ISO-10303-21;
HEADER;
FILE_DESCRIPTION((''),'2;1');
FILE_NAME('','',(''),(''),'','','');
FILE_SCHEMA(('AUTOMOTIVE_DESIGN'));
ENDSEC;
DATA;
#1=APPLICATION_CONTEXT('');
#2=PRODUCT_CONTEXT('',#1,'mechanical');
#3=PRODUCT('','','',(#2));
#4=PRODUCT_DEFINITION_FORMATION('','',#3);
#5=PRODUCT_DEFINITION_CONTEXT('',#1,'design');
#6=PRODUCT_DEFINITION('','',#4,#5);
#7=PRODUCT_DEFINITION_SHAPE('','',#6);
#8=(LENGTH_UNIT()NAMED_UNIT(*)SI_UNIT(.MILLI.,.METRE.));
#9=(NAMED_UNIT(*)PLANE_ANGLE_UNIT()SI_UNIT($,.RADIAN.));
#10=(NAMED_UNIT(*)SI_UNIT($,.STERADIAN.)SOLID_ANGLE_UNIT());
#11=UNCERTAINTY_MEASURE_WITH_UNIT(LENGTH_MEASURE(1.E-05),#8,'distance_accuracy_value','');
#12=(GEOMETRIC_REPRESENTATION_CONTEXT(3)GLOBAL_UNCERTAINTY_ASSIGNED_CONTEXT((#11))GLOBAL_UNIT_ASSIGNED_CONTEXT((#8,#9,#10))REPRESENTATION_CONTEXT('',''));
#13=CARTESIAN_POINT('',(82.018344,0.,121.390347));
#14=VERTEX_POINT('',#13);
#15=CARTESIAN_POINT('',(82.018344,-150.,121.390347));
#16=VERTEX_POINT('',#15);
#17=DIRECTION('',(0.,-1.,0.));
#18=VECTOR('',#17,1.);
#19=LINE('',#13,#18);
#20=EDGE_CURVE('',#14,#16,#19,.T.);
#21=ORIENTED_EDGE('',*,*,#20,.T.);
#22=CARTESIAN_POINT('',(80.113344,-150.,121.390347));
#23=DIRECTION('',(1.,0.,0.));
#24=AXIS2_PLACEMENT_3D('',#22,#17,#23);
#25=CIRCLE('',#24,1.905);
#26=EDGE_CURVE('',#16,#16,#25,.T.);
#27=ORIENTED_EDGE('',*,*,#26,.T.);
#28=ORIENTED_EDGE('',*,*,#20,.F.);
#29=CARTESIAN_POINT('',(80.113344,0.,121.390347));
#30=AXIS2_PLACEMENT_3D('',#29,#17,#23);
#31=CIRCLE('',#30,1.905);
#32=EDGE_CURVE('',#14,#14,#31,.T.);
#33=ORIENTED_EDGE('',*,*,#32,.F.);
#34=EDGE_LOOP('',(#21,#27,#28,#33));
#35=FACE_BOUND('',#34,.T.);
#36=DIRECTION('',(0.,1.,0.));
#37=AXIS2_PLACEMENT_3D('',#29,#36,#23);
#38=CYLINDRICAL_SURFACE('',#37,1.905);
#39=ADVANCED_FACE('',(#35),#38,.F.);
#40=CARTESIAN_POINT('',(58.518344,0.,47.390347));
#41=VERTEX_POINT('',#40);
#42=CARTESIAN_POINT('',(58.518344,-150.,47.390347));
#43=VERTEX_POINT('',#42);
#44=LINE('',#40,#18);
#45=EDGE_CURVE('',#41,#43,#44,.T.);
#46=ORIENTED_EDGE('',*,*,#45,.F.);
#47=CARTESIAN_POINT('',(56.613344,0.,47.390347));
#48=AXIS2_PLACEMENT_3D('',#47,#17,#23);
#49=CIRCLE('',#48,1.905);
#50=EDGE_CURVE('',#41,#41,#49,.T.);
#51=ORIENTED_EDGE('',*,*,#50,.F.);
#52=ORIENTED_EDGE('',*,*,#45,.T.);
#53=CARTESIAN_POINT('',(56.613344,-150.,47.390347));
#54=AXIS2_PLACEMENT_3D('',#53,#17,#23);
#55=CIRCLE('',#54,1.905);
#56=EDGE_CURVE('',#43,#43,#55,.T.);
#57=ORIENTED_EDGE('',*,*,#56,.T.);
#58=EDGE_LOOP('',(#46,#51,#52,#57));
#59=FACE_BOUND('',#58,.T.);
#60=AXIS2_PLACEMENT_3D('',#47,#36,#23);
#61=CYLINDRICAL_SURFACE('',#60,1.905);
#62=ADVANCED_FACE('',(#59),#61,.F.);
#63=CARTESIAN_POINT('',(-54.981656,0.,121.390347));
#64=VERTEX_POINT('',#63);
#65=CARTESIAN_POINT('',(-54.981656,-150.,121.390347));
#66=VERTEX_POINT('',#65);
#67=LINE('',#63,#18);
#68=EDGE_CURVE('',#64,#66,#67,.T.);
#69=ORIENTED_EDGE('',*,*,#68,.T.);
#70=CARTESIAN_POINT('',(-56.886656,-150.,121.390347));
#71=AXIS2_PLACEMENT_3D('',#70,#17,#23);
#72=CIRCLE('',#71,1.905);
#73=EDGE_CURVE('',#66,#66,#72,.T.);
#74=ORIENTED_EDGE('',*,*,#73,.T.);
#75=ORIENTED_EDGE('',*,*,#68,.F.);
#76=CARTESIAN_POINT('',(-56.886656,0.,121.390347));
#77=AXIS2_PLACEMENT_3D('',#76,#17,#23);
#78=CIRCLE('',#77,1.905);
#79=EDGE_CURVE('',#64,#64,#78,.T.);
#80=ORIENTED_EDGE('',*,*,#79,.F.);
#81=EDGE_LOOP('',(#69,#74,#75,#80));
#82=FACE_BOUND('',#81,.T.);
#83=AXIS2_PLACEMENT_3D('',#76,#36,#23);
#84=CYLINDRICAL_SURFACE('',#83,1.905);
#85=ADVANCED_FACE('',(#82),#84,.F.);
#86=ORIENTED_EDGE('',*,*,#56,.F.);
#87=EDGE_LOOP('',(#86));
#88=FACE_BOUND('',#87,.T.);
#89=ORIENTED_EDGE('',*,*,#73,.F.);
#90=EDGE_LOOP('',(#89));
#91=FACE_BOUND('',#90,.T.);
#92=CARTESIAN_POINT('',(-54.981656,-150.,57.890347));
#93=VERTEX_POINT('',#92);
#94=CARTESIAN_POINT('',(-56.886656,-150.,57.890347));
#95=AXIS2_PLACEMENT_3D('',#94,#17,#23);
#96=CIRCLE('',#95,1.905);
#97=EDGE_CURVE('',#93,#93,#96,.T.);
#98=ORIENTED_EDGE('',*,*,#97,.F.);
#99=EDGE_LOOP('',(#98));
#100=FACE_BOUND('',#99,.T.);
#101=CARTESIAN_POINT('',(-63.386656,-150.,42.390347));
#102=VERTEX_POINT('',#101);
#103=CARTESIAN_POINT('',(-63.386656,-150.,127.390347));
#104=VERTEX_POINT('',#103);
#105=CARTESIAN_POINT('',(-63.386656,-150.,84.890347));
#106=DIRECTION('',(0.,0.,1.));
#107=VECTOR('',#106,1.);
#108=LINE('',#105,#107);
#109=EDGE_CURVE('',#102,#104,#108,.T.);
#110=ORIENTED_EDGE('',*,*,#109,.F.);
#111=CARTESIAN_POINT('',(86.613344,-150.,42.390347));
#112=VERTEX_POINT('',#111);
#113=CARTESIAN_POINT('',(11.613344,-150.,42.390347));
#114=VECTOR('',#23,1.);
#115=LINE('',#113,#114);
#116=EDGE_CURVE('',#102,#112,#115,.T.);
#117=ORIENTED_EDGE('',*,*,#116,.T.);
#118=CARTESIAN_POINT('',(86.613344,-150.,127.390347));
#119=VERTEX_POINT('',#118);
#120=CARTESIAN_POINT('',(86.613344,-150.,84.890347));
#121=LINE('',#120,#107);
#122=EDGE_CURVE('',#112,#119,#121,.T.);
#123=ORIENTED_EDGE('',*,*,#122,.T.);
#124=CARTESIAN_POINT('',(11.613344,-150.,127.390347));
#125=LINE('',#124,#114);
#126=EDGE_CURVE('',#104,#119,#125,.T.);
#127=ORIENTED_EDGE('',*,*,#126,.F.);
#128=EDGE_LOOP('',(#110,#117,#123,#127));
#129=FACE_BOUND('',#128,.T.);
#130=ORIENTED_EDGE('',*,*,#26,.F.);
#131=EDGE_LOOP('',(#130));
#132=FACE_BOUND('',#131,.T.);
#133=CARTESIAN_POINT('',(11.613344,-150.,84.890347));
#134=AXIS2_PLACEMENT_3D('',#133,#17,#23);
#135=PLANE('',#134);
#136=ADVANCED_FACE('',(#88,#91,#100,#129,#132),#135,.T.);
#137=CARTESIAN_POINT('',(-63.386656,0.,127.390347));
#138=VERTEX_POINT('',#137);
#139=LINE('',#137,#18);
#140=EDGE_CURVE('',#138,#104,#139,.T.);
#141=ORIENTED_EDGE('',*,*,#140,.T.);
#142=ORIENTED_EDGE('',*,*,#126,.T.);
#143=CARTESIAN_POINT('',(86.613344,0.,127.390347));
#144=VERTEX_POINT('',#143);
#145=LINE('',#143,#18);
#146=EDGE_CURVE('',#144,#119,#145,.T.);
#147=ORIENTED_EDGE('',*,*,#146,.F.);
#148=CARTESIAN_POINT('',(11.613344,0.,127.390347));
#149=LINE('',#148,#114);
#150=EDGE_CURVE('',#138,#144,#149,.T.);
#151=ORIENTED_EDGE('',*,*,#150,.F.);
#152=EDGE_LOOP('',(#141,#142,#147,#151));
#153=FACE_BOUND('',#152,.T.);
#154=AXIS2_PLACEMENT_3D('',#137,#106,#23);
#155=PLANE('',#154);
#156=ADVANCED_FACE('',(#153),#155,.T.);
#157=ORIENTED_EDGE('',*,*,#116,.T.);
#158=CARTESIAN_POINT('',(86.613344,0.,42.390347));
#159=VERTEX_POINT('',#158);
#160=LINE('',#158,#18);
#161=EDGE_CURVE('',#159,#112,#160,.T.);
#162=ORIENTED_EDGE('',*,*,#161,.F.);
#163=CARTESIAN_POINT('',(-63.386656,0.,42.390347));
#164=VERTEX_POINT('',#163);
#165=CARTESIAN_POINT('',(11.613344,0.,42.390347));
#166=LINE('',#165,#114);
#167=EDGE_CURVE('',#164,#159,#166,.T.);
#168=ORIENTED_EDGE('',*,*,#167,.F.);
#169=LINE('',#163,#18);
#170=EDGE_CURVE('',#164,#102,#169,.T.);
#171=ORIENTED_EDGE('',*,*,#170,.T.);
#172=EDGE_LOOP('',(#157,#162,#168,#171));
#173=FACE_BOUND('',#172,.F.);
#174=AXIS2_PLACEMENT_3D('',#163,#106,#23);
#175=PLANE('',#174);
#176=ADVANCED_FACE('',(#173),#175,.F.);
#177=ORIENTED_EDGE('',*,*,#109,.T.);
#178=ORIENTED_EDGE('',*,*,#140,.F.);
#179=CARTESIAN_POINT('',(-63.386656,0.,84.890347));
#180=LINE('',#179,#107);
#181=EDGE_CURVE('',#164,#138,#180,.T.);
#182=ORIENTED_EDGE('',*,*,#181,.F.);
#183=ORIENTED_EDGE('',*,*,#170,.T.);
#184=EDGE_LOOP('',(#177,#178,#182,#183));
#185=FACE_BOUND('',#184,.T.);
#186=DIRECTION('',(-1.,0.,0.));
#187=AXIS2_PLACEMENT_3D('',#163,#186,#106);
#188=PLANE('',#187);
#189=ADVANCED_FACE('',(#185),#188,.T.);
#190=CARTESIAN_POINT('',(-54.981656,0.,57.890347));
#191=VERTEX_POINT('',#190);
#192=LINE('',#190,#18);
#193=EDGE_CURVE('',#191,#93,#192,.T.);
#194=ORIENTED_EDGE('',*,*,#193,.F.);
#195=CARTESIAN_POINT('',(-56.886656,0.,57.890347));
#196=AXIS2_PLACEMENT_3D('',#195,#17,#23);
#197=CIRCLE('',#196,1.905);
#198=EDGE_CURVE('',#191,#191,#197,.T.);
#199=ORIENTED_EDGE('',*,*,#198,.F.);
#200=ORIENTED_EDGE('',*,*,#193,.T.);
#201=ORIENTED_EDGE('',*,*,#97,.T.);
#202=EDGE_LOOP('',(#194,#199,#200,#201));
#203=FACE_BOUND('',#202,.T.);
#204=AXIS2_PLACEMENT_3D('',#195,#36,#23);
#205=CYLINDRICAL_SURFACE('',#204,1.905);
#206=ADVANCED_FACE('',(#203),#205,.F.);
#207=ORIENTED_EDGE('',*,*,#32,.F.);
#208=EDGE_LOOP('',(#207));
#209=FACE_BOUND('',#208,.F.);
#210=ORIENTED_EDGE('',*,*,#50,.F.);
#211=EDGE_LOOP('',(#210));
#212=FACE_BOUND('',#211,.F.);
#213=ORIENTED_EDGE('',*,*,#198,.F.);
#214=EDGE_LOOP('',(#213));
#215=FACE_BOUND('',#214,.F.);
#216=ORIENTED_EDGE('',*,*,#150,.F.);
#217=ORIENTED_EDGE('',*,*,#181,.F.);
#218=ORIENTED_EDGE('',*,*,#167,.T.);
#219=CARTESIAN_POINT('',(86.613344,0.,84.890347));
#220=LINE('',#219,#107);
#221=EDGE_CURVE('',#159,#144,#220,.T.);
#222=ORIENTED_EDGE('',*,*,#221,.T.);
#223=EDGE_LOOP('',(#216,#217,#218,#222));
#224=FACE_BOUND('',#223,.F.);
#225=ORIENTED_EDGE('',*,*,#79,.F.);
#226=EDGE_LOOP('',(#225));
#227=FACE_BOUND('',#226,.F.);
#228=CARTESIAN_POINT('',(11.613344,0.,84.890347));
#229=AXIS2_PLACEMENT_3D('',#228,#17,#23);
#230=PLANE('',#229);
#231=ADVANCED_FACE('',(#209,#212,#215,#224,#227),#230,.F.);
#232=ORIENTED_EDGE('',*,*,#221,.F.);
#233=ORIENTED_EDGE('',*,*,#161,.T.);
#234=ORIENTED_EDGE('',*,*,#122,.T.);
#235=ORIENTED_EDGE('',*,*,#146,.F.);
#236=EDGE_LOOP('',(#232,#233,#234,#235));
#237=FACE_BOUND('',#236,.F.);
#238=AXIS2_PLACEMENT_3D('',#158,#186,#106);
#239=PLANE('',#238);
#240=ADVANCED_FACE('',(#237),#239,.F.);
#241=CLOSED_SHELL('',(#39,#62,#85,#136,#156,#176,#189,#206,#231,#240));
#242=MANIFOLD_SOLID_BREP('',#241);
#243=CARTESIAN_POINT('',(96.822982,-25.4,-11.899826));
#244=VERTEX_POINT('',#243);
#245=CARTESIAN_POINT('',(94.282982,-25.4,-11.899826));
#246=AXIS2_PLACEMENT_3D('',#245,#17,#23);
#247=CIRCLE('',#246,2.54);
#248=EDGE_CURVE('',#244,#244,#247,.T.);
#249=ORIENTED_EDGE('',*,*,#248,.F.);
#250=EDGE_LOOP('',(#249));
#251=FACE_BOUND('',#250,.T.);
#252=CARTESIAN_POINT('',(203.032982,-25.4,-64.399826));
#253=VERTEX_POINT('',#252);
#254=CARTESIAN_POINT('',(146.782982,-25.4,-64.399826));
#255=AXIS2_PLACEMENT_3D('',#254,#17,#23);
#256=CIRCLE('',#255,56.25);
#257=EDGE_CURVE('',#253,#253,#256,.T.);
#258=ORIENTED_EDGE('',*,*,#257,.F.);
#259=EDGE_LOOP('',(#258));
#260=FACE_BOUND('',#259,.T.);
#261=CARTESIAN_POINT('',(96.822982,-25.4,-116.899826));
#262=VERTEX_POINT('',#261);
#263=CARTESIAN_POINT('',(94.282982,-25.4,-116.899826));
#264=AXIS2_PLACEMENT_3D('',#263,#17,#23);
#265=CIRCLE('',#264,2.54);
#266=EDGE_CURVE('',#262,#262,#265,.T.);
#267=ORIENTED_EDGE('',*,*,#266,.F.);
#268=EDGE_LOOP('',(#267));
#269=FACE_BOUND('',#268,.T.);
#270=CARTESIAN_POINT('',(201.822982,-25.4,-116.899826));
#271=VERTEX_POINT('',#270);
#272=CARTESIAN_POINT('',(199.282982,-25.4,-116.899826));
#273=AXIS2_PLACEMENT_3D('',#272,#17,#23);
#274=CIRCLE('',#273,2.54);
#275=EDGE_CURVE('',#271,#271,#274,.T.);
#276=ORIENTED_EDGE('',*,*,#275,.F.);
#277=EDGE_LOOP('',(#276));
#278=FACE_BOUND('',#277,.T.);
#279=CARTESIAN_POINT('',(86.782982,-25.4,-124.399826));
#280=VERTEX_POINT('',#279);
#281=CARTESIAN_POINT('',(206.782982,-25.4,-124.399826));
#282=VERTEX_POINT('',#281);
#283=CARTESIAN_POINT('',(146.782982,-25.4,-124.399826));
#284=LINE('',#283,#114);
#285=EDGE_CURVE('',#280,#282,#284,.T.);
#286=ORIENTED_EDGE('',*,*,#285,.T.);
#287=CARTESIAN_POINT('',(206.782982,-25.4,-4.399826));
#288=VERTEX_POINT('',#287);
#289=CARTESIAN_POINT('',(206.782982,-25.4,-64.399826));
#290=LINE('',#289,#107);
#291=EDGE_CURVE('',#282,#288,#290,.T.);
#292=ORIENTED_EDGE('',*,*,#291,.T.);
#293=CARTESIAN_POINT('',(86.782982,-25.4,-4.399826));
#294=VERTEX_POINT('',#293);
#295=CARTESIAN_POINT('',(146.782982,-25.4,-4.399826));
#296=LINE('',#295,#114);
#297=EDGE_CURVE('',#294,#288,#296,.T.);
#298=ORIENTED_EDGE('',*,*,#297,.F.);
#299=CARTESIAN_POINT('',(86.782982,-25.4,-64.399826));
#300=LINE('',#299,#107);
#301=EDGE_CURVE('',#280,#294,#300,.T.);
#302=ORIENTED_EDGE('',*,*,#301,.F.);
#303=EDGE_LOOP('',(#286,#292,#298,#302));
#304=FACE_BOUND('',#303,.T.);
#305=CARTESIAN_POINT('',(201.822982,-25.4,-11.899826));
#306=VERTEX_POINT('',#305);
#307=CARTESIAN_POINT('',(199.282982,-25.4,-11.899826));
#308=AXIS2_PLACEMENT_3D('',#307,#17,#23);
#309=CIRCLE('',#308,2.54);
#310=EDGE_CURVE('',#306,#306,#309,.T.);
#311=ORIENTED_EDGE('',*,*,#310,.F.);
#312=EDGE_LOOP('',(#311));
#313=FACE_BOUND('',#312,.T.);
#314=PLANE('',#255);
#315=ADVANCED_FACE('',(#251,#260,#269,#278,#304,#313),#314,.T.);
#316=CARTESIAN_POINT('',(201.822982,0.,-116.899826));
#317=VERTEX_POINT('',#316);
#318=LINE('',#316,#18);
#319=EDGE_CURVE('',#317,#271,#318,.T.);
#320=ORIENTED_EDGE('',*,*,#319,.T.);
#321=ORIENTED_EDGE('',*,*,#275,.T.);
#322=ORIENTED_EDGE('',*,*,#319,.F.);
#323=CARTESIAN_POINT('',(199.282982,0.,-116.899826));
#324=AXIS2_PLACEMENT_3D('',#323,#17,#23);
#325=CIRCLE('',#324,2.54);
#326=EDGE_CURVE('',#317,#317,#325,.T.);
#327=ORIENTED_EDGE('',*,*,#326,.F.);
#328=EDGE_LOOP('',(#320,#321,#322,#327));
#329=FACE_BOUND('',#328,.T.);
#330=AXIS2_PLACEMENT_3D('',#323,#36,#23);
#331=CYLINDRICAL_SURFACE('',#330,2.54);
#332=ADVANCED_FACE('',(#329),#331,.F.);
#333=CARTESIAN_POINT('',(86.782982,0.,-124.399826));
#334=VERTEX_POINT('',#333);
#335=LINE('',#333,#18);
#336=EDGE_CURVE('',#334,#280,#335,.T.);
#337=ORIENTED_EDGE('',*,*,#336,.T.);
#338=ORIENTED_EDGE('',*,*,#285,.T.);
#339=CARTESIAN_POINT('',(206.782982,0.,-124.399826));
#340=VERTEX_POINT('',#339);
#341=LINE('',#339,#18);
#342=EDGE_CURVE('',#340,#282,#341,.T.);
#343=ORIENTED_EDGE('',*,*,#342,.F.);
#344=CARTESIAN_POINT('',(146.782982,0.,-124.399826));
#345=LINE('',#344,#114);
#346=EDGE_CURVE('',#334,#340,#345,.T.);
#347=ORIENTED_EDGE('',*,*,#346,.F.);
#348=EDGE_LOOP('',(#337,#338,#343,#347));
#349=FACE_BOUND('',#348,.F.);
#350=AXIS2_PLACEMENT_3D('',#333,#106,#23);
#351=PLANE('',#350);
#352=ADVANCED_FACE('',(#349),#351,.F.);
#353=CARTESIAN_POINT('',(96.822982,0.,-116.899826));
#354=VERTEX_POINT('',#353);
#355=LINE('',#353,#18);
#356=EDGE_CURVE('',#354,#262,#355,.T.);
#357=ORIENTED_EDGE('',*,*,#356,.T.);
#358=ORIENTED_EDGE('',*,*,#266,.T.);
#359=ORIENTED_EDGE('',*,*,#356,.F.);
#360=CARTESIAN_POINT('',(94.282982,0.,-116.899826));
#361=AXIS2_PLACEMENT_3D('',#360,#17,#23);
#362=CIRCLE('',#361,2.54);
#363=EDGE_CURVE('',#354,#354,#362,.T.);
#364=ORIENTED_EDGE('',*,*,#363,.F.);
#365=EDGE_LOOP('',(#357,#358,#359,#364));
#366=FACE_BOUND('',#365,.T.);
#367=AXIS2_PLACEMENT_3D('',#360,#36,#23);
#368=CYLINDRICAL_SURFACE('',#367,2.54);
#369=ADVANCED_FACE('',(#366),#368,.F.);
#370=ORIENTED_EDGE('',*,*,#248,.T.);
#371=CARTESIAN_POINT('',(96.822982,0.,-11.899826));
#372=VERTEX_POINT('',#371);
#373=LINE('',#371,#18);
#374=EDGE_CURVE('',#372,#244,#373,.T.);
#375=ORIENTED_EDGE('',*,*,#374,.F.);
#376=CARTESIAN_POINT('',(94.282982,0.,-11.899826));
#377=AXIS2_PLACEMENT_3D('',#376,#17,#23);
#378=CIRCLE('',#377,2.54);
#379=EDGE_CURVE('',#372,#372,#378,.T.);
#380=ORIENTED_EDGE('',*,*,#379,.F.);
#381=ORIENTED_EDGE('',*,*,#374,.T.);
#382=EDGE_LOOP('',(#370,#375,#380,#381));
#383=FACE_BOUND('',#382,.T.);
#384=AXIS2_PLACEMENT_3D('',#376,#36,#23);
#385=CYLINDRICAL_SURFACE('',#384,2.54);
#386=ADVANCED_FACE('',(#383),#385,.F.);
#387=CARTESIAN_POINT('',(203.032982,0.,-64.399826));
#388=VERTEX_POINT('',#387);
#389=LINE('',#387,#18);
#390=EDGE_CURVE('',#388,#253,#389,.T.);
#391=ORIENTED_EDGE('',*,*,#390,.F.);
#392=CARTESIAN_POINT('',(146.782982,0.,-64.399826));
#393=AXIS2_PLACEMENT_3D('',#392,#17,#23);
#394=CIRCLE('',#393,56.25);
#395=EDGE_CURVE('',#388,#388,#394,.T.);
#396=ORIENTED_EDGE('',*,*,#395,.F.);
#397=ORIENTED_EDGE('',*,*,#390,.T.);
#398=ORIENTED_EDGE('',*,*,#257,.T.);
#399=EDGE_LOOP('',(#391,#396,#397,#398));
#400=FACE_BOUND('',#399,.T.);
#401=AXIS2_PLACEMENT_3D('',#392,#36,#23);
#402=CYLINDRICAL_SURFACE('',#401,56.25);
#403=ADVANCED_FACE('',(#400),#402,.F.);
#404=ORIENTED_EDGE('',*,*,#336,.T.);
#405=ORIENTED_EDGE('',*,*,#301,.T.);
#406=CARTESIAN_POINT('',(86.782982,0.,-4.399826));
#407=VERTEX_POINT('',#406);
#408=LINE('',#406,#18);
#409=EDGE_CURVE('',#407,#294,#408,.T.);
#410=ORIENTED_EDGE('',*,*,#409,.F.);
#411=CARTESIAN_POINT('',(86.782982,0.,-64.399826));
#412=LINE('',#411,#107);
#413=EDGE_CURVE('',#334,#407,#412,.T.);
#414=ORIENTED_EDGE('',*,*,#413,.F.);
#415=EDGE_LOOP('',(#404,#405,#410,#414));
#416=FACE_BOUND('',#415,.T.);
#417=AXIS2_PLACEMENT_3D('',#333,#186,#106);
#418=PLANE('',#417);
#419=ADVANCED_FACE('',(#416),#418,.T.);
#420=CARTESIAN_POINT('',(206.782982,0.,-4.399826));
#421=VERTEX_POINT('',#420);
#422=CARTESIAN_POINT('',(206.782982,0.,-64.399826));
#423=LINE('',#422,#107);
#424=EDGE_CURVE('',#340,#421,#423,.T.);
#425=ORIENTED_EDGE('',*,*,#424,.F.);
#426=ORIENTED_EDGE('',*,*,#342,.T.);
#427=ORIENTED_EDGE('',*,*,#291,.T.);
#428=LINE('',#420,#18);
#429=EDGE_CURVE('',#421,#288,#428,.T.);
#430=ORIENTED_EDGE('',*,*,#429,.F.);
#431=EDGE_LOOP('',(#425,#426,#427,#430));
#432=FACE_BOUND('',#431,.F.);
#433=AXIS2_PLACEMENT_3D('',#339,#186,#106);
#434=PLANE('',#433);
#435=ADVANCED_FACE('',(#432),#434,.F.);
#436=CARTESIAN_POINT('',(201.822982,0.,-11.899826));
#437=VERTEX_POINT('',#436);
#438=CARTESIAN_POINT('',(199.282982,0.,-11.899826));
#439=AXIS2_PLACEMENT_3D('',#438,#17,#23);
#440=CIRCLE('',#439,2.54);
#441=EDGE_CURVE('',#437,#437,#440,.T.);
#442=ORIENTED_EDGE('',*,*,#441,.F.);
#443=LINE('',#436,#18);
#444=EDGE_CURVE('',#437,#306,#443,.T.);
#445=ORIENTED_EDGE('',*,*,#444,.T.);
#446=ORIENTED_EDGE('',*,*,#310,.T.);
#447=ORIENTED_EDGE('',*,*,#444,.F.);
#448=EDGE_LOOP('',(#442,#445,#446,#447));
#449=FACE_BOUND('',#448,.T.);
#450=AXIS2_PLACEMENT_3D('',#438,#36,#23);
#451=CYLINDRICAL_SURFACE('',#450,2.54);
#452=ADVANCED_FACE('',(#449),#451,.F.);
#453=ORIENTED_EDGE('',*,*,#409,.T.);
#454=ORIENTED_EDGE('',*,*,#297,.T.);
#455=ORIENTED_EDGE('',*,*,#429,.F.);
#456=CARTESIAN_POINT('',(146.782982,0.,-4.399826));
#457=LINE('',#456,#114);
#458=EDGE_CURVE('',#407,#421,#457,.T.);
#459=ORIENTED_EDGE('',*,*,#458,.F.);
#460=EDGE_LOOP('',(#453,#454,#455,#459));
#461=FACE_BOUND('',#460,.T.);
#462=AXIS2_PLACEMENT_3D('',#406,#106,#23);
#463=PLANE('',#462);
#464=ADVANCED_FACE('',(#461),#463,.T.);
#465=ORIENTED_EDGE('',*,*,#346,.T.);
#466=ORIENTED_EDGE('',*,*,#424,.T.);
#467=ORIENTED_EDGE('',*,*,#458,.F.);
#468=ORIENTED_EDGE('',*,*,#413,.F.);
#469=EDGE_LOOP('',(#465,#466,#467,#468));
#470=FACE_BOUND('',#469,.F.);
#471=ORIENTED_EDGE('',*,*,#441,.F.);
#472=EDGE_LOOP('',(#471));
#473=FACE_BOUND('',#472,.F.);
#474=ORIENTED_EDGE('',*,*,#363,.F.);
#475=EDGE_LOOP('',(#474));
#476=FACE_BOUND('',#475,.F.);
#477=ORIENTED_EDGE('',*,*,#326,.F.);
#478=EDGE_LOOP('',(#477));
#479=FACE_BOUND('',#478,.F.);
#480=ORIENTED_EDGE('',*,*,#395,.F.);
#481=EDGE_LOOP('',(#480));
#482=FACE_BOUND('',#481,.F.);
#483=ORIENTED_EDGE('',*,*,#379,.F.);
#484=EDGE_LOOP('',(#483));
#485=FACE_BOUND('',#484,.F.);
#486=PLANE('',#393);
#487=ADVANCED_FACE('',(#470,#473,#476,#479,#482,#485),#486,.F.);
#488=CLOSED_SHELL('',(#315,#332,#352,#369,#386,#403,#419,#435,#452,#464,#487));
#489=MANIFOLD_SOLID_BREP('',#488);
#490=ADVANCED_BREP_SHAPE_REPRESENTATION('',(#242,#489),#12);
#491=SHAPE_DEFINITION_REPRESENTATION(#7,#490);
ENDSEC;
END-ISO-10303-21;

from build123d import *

# Parameters (mm, degrees)
F0_W     = 150
F0_H     = 85
F0_R     = 1.905
F1_DEPTH = 150
F2_W     = 120
F2_H     = 120
F2_R     = 2.54
F2_R_2   = 56.25
F3_DEPTH = 25.4


with BuildPart() as f1:
    # F0 (on Front) → F1 (new body)
    with BuildSketch(Plane.XZ):
        with Locations((11.613344, 84.890347)):
            Rectangle(F0_W, F0_H)
        with Locations((-56.886656, 57.890347)):
            Circle(F0_R, mode=Mode.SUBTRACT)
        with Locations((56.613344, 47.390347)):
            Circle(F0_R, mode=Mode.SUBTRACT)
        with Locations((-56.886656, 121.390347)):
            Circle(F0_R, mode=Mode.SUBTRACT)
        with Locations((80.113344, 121.390347)):
            Circle(F0_R, mode=Mode.SUBTRACT)
    extrude(amount=F1_DEPTH)


with BuildPart() as f3:
    # F2 (on Front) → F3 (new body)
    with BuildSketch(Plane.XZ):
        with Locations((146.782982, -64.399826)):
            Rectangle(F2_W, F2_H)
        with Locations((94.282982, -116.899826)):
            Circle(F2_R, mode=Mode.SUBTRACT)
        with Locations((199.282982, -116.899826)):
            Circle(F2_R, mode=Mode.SUBTRACT)
        with Locations((146.782982, -64.399826)):
            Circle(F2_R_2, mode=Mode.SUBTRACT)
        with Locations((94.282982, -11.899826)):
            Circle(F2_R, mode=Mode.SUBTRACT)
        with Locations((199.282982, -11.899826)):
            Circle(F2_R, mode=Mode.SUBTRACT)
    extrude(amount=F3_DEPTH)


solid = Compound([f1.part, f3.part])
